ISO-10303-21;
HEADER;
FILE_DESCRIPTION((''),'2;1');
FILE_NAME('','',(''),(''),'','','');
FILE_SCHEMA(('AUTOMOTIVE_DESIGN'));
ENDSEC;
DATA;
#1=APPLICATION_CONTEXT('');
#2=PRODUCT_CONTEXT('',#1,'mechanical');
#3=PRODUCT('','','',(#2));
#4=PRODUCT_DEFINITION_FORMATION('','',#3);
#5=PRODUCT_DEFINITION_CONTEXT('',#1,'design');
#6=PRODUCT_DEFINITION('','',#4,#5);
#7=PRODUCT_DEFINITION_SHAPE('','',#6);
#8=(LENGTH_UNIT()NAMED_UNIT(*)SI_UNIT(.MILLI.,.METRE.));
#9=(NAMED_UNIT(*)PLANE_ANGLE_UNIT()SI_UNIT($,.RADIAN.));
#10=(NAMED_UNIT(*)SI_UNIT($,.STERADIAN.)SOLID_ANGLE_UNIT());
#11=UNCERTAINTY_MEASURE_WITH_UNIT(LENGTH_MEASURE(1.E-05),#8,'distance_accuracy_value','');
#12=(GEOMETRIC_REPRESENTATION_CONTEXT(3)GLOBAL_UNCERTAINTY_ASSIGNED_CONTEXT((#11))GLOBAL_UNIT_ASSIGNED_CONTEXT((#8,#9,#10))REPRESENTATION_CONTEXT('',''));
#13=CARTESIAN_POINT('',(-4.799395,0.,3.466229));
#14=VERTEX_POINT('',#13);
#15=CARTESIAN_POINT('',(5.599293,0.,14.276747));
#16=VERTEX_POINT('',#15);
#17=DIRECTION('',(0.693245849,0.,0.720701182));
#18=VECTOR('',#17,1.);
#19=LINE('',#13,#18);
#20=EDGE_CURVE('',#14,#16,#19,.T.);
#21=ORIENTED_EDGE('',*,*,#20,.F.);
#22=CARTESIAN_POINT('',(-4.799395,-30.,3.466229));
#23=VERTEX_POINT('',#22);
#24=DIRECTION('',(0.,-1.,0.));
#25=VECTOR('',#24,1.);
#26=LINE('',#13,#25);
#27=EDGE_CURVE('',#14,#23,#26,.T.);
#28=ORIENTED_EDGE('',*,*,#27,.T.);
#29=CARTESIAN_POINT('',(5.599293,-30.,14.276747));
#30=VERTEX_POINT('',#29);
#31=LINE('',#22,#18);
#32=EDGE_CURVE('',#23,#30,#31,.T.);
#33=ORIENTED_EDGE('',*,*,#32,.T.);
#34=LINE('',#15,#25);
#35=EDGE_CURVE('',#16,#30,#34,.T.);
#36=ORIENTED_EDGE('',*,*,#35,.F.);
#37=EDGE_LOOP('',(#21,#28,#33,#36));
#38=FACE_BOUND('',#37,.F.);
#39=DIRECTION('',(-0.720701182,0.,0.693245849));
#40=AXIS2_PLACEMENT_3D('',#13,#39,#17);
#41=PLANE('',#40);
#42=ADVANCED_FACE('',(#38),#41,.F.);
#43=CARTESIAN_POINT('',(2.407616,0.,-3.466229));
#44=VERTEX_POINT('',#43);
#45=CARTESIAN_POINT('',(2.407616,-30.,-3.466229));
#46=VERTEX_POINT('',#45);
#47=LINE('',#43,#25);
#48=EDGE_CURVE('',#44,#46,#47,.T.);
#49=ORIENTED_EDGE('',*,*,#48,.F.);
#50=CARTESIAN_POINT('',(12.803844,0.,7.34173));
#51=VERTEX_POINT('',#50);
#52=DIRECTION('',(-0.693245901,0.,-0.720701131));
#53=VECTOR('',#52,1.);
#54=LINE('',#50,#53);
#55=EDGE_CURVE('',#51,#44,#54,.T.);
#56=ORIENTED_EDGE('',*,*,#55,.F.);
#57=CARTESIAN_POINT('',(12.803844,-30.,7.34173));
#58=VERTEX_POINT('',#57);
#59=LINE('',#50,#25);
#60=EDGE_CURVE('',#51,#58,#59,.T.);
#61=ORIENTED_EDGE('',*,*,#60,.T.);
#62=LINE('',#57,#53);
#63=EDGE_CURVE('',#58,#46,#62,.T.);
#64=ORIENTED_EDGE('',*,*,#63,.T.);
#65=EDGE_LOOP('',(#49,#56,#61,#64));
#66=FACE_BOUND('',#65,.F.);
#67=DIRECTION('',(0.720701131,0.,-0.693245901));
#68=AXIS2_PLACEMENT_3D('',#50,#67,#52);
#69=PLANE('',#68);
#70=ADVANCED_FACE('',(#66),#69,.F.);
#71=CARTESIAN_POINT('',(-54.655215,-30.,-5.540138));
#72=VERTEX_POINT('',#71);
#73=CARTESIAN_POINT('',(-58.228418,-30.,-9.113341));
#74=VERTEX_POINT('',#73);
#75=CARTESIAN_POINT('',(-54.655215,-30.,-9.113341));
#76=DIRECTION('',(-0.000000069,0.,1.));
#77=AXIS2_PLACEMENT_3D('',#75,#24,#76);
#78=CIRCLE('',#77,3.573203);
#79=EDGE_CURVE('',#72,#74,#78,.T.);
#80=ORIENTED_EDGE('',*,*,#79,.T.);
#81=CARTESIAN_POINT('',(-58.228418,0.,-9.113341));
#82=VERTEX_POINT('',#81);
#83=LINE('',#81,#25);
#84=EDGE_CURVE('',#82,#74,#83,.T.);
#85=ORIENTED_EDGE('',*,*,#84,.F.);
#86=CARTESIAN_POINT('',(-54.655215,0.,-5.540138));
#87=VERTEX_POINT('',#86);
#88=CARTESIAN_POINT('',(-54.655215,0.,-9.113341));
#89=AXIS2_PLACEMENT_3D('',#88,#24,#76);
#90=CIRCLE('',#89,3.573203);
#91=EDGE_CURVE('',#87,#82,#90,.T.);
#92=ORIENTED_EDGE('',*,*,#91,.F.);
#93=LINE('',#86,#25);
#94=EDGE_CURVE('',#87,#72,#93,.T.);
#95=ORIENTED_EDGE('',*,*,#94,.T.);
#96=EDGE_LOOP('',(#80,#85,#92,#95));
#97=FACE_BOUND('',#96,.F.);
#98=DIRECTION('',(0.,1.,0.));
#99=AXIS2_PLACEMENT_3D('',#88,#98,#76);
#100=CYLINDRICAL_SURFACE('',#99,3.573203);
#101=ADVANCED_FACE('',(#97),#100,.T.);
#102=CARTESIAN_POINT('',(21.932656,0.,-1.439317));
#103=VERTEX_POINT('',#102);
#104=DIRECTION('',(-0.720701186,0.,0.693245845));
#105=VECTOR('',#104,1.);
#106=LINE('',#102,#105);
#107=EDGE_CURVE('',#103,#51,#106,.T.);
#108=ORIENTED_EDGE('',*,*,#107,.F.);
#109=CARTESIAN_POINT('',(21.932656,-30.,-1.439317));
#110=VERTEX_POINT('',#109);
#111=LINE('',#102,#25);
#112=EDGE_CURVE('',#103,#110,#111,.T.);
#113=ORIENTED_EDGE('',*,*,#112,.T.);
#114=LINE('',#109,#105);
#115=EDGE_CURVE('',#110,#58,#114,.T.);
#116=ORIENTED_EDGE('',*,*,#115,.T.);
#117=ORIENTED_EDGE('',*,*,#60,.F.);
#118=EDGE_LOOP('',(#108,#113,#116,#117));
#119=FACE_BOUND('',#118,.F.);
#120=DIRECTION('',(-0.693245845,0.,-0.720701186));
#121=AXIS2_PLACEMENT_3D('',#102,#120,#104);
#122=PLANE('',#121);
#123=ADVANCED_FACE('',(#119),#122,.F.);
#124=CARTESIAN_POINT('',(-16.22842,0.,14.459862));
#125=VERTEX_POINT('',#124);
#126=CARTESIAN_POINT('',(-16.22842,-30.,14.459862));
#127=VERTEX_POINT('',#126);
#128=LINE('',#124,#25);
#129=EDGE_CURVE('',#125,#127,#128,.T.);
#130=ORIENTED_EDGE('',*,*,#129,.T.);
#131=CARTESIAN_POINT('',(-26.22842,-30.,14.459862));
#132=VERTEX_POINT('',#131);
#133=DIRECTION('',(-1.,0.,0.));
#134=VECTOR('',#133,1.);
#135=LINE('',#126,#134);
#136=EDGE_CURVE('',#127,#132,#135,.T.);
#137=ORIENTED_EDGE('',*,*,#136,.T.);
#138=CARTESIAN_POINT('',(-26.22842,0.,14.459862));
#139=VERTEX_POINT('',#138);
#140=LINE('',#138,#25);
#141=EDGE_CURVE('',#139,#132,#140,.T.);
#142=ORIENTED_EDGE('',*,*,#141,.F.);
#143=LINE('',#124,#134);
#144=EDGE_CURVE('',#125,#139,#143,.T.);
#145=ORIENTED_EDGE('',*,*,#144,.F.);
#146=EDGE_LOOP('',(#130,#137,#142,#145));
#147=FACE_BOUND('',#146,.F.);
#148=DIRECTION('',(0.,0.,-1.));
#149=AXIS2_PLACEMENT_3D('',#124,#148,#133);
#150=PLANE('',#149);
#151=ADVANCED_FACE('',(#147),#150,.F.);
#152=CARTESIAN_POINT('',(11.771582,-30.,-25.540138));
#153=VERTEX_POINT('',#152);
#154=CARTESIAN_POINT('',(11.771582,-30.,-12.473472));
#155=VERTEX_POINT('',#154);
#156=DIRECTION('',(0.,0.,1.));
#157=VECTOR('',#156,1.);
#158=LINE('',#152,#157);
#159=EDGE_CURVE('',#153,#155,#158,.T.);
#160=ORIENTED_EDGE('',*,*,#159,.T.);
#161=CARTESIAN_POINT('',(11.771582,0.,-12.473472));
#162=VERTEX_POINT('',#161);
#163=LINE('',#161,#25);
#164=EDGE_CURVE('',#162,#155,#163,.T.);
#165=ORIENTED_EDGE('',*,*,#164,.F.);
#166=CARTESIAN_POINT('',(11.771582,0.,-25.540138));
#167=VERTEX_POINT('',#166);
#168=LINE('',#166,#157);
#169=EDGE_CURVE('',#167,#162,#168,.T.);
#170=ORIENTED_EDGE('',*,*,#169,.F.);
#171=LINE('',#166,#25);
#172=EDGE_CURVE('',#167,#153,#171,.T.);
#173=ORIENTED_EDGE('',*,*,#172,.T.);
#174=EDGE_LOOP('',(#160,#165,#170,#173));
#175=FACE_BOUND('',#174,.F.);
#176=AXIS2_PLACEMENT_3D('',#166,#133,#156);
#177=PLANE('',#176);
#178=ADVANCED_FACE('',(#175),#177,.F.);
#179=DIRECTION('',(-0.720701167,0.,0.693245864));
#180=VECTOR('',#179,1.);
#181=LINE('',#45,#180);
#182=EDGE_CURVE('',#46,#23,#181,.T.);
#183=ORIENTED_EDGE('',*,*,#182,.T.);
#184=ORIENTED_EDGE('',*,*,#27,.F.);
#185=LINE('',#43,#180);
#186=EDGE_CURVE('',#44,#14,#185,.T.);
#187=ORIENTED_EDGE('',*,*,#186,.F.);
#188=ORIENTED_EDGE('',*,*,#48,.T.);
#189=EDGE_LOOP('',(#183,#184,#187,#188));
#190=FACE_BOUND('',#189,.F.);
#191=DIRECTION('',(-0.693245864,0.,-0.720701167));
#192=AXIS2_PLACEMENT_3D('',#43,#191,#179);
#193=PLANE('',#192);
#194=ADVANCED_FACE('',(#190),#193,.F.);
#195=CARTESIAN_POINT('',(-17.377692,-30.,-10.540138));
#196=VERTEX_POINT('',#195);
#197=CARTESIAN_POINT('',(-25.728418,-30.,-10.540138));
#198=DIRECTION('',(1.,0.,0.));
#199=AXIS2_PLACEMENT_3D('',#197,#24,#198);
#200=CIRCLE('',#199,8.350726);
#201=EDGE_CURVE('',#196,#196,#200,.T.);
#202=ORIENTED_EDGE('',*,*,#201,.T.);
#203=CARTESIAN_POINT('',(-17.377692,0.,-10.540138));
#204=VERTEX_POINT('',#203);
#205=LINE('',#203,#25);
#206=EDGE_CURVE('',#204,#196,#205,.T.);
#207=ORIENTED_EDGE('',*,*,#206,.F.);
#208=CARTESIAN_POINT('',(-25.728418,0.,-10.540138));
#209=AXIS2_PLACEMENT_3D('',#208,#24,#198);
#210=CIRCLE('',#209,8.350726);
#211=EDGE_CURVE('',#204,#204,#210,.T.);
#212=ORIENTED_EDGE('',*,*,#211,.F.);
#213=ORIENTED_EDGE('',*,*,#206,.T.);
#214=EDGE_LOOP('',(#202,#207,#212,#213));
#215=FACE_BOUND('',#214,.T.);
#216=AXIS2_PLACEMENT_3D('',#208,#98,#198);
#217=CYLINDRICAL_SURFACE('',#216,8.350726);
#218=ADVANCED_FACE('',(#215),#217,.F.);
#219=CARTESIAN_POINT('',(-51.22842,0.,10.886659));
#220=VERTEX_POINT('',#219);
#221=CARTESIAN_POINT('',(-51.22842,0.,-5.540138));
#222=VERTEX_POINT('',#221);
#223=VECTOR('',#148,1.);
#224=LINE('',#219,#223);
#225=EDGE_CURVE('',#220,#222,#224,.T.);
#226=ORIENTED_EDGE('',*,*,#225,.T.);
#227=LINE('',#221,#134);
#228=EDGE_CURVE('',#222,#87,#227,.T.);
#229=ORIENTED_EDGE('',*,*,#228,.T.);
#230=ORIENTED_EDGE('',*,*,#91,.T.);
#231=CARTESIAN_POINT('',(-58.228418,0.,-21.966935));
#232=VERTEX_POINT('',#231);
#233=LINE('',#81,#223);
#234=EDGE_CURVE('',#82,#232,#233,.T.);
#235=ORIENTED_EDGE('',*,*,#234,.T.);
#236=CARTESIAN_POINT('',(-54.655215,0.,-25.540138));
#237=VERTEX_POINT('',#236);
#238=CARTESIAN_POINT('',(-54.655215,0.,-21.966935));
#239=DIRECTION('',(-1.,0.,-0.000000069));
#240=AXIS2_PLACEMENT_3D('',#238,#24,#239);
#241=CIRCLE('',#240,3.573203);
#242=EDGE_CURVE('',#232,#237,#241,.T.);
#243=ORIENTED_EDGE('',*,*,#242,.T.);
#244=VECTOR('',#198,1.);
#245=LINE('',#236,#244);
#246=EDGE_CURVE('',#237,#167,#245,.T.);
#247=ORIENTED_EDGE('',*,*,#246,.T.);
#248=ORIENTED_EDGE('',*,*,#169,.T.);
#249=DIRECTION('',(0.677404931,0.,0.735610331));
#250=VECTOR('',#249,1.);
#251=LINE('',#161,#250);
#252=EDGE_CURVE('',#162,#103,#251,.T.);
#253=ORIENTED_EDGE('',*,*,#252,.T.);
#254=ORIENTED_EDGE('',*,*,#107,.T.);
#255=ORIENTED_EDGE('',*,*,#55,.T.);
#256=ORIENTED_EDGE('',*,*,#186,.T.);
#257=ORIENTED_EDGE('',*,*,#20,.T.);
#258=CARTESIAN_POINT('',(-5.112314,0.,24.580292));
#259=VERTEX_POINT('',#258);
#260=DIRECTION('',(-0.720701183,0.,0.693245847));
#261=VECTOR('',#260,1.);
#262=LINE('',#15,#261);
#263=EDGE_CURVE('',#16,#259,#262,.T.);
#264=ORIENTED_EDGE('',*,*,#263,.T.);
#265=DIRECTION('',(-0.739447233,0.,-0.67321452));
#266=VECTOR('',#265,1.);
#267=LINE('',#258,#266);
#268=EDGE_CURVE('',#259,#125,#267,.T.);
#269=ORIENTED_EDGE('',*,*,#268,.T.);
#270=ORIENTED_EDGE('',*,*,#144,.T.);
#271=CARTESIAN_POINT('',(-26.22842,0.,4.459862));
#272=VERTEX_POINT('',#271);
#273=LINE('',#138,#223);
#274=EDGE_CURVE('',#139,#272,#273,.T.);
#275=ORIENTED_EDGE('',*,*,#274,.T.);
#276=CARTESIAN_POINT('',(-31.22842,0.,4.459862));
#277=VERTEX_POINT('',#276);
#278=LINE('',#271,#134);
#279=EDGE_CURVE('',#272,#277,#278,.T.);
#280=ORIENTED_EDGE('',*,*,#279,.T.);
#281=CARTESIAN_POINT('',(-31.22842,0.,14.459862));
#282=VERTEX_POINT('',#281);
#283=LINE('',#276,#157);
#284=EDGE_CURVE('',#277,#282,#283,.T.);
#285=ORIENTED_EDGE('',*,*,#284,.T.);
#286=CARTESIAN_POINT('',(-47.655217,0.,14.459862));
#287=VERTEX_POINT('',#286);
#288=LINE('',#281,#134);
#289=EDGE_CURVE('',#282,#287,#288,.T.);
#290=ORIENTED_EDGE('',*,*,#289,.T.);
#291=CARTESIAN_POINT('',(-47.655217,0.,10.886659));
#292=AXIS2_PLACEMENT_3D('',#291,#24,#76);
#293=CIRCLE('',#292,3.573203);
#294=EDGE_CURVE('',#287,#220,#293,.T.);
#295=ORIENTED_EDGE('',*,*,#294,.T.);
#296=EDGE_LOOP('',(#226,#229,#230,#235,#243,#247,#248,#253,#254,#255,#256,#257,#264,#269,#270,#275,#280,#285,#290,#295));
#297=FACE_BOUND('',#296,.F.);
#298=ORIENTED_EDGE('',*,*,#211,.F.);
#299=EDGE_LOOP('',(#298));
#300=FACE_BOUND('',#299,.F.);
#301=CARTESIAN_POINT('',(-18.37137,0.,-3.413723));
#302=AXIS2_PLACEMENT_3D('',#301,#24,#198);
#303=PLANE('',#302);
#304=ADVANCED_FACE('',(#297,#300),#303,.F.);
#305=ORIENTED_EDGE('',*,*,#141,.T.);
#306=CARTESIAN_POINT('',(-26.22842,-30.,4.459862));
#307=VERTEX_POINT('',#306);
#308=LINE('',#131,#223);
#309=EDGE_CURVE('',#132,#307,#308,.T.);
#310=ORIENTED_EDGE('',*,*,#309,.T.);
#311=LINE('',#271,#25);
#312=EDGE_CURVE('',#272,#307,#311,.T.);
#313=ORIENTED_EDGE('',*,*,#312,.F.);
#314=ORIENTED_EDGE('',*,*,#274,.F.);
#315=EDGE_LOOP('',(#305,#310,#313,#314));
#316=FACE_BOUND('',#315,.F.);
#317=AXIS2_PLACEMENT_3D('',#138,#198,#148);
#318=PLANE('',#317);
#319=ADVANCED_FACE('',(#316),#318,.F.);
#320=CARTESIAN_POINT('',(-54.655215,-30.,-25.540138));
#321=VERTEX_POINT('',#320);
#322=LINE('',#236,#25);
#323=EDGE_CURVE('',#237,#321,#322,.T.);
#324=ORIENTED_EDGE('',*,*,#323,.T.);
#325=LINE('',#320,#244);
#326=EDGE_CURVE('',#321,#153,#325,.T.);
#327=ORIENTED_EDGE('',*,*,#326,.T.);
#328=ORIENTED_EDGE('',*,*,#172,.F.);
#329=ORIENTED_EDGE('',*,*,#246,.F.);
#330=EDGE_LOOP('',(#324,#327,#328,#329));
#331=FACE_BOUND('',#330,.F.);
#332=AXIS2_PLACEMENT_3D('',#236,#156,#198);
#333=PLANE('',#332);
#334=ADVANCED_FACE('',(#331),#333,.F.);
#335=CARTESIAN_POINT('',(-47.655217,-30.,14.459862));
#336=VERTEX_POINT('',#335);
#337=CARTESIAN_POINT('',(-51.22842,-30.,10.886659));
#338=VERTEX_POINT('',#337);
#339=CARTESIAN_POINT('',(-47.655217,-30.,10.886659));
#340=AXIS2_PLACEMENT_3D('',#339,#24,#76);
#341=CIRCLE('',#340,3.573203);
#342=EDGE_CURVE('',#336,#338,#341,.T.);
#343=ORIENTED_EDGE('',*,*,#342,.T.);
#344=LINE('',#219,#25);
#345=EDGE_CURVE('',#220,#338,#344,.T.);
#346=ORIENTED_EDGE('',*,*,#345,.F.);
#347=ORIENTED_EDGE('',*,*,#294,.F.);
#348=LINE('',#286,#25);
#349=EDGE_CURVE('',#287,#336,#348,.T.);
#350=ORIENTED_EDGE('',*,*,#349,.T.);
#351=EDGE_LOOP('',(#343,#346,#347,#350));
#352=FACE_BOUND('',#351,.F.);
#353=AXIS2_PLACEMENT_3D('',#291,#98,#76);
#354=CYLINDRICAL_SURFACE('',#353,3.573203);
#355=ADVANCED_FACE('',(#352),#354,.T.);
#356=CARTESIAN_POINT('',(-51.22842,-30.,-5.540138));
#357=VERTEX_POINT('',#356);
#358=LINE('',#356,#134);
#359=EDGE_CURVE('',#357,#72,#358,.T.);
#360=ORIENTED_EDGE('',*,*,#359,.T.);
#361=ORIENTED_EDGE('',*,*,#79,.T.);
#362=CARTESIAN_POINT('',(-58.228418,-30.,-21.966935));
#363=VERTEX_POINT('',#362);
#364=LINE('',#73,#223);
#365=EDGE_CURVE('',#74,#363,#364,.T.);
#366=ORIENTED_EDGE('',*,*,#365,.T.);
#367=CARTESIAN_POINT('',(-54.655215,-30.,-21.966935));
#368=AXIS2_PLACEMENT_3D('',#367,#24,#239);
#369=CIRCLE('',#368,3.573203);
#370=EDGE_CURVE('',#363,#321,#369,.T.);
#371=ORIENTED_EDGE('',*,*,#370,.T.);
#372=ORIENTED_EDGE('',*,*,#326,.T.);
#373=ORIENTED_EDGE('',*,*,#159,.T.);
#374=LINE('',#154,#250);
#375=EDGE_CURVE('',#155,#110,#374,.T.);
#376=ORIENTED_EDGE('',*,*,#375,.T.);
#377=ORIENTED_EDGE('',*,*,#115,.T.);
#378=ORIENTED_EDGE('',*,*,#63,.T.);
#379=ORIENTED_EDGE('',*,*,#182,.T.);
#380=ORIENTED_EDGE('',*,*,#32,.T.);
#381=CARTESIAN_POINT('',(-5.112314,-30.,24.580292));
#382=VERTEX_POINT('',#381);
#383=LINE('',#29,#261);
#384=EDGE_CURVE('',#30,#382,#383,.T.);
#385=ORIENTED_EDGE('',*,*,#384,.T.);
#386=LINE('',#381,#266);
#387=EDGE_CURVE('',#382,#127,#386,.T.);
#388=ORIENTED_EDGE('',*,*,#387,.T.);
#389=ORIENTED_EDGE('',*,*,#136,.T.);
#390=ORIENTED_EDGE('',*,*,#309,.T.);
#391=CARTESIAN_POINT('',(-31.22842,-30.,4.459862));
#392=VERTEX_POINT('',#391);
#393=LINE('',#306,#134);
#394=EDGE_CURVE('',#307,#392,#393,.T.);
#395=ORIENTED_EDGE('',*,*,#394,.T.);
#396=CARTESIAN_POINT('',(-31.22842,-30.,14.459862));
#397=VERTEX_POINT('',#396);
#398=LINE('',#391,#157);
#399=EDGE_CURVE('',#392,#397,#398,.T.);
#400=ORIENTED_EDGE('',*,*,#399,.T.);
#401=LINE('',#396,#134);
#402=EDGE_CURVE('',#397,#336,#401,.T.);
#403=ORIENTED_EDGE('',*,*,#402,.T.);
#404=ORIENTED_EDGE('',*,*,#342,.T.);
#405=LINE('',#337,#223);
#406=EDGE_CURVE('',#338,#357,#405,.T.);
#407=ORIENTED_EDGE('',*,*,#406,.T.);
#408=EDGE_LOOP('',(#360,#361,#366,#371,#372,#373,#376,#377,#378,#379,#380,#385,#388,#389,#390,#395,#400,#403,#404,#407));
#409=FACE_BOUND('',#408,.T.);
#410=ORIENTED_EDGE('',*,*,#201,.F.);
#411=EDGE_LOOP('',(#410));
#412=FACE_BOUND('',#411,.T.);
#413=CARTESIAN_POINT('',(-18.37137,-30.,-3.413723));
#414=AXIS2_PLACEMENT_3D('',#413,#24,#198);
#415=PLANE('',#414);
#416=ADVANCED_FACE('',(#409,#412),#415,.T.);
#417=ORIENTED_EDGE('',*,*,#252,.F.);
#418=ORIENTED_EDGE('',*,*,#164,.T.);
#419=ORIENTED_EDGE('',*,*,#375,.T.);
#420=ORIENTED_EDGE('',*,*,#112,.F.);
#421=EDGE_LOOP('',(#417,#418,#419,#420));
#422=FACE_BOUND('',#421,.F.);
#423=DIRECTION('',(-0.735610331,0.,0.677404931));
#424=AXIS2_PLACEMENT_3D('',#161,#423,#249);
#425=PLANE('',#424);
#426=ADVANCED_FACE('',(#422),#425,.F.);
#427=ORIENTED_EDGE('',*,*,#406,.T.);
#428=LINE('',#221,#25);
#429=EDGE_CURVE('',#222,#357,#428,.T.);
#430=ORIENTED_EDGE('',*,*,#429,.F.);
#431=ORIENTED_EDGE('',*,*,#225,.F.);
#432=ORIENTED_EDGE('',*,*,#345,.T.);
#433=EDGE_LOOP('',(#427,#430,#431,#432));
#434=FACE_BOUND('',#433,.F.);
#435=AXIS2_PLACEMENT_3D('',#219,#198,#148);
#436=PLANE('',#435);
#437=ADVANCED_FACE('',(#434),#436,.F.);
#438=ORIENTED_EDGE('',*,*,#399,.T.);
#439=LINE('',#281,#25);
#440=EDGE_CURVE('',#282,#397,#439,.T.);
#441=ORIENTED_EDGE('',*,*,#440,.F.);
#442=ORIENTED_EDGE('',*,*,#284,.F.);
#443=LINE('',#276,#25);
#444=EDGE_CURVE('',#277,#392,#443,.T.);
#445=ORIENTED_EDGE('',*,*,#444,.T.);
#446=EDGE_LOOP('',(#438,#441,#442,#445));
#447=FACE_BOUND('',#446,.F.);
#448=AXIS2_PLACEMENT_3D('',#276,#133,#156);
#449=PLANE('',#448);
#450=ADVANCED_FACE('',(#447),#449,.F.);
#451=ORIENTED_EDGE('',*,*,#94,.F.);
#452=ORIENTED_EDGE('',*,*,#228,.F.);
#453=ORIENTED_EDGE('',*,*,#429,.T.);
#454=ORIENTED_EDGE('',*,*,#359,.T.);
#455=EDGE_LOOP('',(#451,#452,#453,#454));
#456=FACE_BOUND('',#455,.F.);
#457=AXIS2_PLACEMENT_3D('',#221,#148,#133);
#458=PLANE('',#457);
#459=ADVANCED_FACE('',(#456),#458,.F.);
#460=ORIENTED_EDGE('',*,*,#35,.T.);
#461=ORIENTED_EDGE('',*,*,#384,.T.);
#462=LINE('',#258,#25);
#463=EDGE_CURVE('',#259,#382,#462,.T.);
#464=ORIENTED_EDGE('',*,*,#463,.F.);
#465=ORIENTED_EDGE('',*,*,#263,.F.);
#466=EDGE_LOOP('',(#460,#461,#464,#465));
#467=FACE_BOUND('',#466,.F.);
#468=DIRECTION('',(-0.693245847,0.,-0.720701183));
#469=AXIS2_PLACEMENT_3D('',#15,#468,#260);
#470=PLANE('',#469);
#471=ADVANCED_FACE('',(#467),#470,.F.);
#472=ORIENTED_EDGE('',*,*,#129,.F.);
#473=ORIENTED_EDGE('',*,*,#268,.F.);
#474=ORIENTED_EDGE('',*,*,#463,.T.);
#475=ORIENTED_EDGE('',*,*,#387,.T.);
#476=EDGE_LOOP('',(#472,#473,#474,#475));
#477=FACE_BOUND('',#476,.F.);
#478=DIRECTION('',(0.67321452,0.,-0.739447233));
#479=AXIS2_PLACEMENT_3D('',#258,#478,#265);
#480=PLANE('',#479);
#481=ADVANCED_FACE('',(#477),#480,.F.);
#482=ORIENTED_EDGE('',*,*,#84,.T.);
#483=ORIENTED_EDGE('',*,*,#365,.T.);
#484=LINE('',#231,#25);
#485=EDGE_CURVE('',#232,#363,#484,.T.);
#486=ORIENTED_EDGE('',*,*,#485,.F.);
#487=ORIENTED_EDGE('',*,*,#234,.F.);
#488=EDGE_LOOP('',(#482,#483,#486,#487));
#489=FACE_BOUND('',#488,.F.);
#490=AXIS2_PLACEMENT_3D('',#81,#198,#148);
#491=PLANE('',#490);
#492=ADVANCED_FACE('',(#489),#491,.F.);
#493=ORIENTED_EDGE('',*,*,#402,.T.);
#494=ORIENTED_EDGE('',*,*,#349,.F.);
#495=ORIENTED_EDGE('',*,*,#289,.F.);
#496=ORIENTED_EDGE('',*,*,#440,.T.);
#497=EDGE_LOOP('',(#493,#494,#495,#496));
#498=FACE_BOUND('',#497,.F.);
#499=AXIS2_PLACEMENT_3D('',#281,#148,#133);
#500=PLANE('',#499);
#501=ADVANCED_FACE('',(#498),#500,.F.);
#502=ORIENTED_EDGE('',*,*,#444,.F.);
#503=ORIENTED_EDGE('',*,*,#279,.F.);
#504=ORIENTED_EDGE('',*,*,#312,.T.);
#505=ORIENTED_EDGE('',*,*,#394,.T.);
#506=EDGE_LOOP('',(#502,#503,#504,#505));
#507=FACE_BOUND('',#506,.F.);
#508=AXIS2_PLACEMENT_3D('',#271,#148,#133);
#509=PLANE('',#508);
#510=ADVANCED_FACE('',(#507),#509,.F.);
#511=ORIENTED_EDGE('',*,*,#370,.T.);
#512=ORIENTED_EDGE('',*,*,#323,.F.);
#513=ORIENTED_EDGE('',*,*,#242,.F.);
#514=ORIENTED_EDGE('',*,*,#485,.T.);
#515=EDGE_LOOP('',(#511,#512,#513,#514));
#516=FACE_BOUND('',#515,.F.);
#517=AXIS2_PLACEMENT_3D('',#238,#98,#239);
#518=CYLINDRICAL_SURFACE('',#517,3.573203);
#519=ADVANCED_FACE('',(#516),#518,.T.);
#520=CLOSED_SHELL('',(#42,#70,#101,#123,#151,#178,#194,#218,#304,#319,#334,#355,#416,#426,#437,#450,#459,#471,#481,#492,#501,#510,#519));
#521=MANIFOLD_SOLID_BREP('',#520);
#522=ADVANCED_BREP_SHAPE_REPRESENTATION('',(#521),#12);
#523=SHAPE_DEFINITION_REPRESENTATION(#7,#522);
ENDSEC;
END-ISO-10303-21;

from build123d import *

# Parameters (mm, degrees)
F0_R     = 8.350726
F1_DEPTH = 30


with BuildPart() as f1:
    # F0 (on Front) → F1 (new body)
    with BuildSketch(Plane.XZ):
        with BuildLine():
            Line((-54.655215, -25.540138), (11.771582, -25.540138))
            Line((11.771582, -25.540138), (11.771582, -12.473472))
            Line((11.771582, -12.473472), (21.932656, -1.439317))
            Line((21.932656, -1.439317), (12.803844, 7.34173))
            Line((12.803844, 7.34173), (2.407616, -3.466229))
            Line((2.407616, -3.466229), (-4.799395, 3.466229))
            Line((-4.799395, 3.466229), (5.599293, 14.276747))
            Line((5.599293, 14.276747), (-5.112314, 24.580292))
            Line((-5.112314, 24.580292), (-16.22842, 14.459862))
            Line((-16.22842, 14.459862), (-26.22842, 14.459862))
            Line((-26.22842, 14.459862), (-26.22842, 4.459862))
            Line((-26.22842, 4.459862), (-31.22842, 4.459862))
            Line((-31.22842, 4.459862), (-31.22842, 14.459862))
            Line((-31.22842, 14.459862), (-47.655217, 14.459862))
            ThreePointArc((-47.655217, 14.459862), (-50.181853, 13.413295), (-51.22842, 10.886659))
            Line((-51.22842, 10.886659), (-51.22842, -5.540138))
            Line((-51.22842, -5.540138), (-54.655215, -5.540138))
            ThreePointArc((-54.655215, -5.540138), (-57.181851, -6.586705), (-58.228418, -9.113341))
            Line((-58.228418, -9.113341), (-58.228418, -21.966935))
            ThreePointArc((-58.228418, -21.966935), (-57.181851, -24.493571), (-54.655215, -25.540138))
        make_face()
        with Locations((-25.728418, -10.540138)):
            Circle(F0_R, mode=Mode.SUBTRACT)
    extrude(amount=F1_DEPTH)


solid = f1.part
